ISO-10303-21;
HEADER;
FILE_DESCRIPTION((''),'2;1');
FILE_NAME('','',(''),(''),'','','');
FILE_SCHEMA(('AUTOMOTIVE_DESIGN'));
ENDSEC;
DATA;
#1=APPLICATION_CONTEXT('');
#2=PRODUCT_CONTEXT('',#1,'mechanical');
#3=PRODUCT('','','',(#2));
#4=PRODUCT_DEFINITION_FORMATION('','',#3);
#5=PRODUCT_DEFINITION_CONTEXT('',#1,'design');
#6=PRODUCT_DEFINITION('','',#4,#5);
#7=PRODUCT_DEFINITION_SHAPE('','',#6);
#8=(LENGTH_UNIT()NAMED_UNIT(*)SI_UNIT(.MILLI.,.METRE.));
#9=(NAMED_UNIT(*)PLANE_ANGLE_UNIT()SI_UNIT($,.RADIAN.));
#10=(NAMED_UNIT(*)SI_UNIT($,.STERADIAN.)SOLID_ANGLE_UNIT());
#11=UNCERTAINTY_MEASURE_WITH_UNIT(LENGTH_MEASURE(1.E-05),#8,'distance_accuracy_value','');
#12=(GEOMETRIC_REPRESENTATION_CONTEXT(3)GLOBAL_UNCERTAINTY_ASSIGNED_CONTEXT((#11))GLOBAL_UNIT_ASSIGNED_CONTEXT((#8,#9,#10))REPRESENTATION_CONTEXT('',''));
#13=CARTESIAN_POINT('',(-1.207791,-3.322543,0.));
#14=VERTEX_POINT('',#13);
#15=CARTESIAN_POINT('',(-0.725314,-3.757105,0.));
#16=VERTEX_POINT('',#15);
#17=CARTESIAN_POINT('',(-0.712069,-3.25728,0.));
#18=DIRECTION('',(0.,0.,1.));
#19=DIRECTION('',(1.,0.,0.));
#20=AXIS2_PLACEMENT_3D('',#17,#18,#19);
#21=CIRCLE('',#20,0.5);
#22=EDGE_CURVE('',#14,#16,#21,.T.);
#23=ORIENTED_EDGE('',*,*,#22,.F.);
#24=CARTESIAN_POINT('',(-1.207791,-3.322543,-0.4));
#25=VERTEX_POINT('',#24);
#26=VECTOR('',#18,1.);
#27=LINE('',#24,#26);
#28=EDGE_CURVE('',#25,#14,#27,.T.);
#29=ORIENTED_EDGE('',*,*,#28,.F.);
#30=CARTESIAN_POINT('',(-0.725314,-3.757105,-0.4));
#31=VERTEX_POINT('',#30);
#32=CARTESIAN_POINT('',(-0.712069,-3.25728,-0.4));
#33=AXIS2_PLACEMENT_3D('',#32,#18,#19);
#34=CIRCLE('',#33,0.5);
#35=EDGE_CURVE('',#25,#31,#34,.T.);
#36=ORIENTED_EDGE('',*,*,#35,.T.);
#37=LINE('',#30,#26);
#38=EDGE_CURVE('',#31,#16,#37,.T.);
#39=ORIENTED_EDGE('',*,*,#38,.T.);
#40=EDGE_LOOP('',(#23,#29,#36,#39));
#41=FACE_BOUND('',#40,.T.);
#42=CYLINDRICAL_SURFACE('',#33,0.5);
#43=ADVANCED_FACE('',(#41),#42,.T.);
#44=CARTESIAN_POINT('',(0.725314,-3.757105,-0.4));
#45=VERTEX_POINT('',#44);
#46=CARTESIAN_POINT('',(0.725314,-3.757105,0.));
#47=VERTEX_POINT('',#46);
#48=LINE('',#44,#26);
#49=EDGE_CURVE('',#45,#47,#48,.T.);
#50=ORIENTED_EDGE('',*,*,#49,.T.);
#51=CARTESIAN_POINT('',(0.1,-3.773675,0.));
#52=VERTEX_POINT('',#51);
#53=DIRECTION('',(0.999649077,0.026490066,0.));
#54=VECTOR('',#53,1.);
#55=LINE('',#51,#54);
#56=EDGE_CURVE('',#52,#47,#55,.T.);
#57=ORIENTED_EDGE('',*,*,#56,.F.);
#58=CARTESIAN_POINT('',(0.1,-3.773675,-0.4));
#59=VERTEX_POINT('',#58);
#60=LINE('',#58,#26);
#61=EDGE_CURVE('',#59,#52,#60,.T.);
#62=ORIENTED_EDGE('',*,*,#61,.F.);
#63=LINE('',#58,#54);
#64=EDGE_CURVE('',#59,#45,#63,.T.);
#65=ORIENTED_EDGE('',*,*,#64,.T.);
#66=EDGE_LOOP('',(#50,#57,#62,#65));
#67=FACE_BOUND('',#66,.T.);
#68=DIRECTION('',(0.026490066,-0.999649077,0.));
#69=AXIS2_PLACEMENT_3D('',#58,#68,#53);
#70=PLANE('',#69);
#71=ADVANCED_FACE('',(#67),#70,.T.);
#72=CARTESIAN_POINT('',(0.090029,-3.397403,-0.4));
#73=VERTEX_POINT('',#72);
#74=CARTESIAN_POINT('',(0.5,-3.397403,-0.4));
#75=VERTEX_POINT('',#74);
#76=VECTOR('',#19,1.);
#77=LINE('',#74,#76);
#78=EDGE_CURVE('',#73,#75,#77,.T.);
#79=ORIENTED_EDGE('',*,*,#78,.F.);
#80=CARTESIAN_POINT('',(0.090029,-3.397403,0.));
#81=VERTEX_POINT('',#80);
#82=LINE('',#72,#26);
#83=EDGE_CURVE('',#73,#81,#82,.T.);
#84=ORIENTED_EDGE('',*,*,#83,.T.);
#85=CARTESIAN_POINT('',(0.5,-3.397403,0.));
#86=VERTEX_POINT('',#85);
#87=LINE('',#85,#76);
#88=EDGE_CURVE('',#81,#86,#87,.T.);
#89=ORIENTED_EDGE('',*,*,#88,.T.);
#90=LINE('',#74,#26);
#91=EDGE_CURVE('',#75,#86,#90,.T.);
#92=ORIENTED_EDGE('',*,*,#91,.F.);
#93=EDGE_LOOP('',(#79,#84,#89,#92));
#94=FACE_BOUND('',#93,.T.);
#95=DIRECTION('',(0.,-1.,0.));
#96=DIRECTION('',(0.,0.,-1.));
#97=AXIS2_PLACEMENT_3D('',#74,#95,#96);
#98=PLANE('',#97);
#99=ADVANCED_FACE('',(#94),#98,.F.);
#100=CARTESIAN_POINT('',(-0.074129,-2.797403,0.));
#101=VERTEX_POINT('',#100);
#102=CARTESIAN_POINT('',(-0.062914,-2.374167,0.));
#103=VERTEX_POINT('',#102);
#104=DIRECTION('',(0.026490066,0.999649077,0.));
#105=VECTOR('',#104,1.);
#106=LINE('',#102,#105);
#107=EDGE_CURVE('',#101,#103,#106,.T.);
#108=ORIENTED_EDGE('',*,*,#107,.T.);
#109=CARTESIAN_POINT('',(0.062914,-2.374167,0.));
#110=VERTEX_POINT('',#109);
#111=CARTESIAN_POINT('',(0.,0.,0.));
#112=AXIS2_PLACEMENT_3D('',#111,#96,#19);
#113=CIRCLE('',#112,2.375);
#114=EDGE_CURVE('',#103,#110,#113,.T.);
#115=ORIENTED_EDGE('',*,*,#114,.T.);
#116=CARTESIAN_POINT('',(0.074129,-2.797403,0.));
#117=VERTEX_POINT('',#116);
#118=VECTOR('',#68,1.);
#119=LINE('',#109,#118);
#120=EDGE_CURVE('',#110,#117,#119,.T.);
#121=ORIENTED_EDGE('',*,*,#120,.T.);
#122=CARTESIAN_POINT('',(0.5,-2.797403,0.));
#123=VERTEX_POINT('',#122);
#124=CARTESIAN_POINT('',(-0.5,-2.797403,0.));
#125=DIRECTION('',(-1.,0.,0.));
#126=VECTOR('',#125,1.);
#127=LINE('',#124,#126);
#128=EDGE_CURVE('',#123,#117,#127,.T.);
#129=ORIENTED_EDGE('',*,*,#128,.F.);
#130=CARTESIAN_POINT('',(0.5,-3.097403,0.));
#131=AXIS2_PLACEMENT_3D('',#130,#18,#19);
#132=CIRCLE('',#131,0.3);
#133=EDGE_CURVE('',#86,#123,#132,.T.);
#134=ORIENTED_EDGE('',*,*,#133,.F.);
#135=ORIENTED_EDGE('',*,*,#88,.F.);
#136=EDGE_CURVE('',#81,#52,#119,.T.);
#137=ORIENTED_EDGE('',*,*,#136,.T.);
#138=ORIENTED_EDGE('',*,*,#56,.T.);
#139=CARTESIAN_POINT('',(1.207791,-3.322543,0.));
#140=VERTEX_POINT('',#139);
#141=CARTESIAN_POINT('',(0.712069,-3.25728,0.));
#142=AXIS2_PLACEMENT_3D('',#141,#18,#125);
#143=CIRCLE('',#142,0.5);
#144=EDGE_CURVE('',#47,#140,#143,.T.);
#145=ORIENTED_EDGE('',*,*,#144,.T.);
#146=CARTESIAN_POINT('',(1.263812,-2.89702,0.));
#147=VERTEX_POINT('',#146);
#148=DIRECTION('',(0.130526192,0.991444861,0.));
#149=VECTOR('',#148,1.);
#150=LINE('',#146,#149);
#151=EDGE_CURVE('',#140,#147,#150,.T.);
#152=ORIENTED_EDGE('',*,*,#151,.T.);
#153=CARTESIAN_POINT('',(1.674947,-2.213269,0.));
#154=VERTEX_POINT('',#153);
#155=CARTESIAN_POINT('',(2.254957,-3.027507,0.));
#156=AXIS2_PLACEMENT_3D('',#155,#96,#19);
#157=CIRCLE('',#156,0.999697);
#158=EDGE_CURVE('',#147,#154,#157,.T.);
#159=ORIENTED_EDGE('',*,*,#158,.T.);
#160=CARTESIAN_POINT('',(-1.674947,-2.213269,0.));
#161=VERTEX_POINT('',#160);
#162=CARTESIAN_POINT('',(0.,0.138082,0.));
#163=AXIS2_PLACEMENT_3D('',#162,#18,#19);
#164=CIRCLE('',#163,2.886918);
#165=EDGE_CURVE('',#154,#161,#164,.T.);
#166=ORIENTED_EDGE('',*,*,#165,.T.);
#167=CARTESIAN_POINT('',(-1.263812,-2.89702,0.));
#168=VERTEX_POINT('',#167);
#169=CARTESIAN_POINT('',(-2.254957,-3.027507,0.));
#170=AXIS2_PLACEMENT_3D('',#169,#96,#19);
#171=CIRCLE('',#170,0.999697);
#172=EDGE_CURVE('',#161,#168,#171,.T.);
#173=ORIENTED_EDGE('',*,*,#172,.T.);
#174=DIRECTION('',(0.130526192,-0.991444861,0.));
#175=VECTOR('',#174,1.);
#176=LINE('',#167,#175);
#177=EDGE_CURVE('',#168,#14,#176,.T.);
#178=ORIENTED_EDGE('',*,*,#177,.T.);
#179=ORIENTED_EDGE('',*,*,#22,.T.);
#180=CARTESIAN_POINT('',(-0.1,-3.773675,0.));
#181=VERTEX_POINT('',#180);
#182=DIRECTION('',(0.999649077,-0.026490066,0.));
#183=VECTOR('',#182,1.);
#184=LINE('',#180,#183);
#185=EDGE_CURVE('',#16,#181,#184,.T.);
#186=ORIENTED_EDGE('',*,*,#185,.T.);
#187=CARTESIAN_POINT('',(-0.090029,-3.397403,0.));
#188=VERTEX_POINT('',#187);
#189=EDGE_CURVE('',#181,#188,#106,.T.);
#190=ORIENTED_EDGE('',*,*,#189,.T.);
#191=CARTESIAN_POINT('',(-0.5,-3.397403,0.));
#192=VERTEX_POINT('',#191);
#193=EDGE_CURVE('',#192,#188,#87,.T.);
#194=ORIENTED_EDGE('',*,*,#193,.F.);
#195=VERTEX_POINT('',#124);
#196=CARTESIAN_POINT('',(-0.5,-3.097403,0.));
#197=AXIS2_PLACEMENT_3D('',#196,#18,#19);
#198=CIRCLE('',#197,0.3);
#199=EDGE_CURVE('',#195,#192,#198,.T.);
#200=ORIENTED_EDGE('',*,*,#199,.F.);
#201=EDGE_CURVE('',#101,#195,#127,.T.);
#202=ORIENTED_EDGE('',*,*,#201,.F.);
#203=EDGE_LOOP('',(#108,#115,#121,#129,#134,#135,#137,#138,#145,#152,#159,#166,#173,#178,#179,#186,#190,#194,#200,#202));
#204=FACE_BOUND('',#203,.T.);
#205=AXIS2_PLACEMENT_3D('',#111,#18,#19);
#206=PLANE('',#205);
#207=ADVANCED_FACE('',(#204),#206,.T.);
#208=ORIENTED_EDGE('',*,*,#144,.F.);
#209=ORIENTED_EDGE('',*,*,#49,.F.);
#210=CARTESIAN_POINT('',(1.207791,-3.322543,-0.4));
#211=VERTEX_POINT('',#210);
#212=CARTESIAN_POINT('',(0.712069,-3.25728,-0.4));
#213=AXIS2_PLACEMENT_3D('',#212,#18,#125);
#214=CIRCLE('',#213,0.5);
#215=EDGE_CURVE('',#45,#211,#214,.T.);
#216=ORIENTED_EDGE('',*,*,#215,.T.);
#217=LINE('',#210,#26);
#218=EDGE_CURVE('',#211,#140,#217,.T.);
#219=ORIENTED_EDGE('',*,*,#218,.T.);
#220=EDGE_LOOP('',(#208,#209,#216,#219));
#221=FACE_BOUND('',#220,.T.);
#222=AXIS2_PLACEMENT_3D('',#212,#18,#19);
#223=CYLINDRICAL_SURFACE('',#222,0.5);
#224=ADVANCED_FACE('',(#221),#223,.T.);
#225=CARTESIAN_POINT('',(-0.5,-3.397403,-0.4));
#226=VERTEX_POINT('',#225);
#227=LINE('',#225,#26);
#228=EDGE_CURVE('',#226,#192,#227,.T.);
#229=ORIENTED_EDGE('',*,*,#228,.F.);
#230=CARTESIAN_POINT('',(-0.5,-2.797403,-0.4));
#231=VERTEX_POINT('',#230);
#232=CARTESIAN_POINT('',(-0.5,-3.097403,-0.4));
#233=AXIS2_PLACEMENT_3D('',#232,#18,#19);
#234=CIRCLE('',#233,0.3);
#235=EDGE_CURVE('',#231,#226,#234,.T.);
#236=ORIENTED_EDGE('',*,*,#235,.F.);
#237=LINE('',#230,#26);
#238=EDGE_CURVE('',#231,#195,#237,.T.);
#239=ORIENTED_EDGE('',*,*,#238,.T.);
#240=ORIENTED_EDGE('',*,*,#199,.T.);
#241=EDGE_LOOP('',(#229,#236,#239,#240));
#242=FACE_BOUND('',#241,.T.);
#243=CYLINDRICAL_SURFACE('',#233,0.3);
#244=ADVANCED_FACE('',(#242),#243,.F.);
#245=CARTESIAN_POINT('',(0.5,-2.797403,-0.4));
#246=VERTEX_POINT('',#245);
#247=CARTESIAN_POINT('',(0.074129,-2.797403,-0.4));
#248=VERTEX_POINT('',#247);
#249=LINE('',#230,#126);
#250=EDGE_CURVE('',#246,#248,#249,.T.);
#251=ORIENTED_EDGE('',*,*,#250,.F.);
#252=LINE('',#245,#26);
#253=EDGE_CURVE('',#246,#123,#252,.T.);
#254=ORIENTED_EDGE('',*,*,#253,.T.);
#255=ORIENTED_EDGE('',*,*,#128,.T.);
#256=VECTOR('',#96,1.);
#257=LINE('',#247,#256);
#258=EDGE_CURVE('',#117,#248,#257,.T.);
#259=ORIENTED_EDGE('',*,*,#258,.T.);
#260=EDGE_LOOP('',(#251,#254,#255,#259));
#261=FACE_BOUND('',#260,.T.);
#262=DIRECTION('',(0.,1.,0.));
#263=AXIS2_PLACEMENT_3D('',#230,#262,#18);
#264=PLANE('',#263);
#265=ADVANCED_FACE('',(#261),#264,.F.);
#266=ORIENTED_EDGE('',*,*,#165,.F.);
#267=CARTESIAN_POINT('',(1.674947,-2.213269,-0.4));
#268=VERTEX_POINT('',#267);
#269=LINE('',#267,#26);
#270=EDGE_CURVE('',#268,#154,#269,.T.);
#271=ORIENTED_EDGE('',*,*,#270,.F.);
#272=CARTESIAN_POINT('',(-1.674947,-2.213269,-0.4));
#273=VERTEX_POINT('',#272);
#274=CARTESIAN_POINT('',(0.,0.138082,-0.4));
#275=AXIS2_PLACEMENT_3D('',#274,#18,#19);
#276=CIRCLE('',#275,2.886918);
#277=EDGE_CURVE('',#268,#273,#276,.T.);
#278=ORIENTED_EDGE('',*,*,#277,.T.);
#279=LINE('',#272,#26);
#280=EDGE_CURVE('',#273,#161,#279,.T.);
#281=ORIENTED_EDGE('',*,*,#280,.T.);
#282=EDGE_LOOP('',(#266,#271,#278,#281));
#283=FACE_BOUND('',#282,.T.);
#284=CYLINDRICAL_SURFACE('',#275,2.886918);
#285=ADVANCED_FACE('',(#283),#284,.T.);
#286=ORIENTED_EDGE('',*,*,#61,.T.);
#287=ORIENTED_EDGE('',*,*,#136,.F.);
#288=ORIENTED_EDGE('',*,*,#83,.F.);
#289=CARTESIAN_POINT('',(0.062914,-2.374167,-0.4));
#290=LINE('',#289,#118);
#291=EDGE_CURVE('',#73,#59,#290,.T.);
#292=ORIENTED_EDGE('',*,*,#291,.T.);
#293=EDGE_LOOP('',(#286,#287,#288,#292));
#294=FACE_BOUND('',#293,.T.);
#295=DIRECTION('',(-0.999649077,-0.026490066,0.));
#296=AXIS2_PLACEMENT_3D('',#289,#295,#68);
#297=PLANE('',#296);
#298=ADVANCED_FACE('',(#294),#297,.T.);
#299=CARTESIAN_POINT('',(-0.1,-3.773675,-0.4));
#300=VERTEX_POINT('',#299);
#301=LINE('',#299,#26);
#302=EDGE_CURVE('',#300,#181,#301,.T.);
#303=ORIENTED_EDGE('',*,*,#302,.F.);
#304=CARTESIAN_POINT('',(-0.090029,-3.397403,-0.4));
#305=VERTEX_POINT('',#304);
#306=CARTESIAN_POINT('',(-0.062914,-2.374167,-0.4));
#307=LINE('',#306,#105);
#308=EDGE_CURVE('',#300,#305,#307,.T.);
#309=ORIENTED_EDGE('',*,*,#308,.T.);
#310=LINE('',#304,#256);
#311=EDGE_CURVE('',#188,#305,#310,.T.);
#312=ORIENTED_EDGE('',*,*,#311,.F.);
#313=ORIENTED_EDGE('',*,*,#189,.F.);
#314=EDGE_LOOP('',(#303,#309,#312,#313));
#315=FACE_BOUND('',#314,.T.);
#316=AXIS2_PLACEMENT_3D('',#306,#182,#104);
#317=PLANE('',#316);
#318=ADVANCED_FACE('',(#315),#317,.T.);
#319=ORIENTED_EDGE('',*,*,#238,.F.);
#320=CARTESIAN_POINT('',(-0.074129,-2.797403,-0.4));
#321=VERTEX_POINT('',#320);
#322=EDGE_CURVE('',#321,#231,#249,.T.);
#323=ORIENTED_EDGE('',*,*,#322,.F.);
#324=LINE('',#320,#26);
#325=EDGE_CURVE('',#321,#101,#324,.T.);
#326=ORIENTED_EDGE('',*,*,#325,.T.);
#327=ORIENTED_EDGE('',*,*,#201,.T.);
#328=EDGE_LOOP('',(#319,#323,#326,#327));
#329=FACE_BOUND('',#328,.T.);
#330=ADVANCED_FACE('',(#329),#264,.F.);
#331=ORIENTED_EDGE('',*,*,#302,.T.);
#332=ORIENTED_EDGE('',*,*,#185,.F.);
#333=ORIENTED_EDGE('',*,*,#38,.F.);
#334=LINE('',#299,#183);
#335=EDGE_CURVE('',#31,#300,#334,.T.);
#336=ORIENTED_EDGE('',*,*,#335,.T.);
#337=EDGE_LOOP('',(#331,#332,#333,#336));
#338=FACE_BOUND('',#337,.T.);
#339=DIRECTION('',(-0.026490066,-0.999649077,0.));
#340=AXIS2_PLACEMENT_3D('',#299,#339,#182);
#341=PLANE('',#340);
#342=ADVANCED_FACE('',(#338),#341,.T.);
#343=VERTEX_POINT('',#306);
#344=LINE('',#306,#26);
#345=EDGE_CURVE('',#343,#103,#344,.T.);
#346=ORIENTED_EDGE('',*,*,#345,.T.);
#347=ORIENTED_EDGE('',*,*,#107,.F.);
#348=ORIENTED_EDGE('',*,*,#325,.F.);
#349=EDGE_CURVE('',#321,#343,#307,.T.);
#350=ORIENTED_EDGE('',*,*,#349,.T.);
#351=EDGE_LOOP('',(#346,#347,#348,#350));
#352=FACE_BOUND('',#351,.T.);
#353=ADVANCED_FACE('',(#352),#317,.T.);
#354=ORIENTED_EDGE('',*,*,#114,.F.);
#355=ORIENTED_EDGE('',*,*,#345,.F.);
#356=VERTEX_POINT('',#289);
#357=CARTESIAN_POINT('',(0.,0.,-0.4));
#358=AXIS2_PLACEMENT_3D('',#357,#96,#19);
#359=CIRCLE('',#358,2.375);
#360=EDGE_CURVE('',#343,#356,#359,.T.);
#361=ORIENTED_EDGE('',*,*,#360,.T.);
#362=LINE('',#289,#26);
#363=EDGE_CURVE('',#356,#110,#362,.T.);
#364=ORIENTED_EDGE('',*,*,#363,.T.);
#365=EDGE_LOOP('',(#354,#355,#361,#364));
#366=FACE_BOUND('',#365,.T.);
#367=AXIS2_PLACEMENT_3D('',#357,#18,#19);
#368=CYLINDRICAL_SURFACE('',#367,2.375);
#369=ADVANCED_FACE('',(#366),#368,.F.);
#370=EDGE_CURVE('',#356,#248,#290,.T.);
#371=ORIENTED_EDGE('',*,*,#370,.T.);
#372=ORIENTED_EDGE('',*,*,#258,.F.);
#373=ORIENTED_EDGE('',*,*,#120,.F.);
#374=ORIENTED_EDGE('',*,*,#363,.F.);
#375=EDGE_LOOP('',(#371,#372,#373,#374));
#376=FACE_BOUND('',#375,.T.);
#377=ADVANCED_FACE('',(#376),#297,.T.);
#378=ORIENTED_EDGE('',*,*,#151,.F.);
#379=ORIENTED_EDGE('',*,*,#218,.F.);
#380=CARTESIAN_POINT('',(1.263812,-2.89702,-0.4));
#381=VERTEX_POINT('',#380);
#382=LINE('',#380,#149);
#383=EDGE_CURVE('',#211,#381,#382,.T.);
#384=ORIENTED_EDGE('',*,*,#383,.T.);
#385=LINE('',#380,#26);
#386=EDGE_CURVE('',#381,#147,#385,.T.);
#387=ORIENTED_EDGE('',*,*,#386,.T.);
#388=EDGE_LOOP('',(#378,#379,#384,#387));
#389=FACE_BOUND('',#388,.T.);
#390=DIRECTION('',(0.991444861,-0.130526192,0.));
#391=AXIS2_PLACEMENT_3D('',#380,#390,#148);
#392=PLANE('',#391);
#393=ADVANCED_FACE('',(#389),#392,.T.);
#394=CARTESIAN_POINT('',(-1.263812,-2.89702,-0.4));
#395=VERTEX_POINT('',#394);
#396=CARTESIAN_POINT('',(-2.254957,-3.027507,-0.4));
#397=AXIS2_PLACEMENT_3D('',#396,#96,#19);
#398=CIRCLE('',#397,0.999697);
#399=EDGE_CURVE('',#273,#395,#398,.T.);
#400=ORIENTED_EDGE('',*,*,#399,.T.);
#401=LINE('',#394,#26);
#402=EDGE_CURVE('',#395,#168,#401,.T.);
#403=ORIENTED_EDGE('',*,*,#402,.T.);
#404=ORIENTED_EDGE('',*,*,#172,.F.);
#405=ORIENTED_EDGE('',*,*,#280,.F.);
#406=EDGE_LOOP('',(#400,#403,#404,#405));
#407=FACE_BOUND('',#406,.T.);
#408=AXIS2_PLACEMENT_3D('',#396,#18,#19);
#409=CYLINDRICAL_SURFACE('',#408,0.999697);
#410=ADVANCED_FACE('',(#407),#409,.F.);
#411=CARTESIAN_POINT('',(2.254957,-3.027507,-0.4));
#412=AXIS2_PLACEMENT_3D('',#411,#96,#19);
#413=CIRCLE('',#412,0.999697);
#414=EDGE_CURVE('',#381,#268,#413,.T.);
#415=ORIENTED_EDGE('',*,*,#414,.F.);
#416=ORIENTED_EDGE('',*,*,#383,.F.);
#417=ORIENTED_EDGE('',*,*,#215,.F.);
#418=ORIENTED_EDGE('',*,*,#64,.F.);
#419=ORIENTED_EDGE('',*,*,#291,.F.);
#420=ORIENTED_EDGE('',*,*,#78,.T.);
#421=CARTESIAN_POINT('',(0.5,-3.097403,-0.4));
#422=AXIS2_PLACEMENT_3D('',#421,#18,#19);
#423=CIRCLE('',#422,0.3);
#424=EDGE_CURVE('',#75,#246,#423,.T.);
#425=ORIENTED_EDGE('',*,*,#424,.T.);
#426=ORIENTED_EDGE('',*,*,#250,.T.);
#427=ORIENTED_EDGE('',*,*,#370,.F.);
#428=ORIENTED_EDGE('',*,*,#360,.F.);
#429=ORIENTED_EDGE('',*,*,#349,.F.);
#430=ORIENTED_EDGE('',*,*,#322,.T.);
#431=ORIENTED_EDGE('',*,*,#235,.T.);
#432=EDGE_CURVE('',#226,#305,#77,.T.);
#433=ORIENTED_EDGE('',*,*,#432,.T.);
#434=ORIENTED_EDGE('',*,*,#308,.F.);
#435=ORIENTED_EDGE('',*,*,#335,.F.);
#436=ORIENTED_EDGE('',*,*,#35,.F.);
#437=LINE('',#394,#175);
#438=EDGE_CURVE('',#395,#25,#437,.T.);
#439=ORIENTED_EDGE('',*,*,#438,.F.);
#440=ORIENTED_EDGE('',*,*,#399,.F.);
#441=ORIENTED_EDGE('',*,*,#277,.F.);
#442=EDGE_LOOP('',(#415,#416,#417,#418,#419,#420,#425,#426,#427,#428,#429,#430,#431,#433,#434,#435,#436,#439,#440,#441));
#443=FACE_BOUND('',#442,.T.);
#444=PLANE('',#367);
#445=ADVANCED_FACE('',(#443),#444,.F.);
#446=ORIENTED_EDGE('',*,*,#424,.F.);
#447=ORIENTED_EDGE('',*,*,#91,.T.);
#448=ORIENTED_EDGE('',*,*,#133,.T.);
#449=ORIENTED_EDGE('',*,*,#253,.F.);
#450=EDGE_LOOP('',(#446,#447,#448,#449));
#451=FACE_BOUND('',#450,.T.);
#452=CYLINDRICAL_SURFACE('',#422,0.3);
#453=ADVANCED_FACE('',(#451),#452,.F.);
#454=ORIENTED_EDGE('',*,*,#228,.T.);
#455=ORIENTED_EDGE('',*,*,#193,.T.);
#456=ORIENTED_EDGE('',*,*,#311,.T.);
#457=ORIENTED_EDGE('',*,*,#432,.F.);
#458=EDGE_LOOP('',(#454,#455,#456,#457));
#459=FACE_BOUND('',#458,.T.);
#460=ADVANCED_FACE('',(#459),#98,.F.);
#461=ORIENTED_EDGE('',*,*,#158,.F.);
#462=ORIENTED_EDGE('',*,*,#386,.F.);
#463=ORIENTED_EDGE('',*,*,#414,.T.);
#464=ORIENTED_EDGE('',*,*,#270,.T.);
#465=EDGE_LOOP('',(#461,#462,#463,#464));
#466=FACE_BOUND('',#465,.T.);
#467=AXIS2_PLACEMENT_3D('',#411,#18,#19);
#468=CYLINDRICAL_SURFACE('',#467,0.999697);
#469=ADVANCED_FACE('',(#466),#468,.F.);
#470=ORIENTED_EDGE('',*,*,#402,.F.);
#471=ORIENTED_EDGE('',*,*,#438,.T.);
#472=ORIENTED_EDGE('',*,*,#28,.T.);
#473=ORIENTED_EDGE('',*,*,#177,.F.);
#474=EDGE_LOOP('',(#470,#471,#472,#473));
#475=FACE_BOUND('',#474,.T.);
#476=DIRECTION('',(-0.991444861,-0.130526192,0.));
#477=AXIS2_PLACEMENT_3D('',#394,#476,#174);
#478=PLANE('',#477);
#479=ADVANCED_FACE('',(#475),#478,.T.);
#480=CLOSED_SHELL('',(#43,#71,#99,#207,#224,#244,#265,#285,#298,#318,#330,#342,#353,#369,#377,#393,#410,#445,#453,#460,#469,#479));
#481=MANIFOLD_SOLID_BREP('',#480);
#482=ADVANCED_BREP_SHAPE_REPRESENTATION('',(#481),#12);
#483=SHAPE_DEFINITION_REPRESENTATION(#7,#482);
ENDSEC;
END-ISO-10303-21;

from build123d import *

# Parameters (mm, degrees)
BODYSKE_R   = 0.3
BODY_DEPTH  = 0.4
NOTSKE_W    = 1
NOTSKE_H    = 0.6
NOTCH_DEPTH = 1.4


with BuildPart() as part:
    # BodySke → Body (new body)
    with BuildSketch(Plane.XY):
        with BuildLine():
            Line((0.062913907, -2.374166557), (0.1, -3.773675264))
            Line((0.1, -3.773675264), (0.725313694, -3.757104848))
            ThreePointArc((0.725313694, -3.757104848), (1.046692153, -3.628800321), (1.207791092, -3.322543406))
            Line((1.207791092, -3.322543406), (1.26381232, -2.897019935))
            ThreePointArc((1.26381232, -2.897019935), (1.3982129, -2.512352239), (1.674947292, -2.213268924))
            ThreePointArc((1.674947292, -2.213268924), (0, 3.025), (-1.674947292, -2.213268924))
            ThreePointArc((-1.674947292, -2.213268924), (-1.3982129, -2.512352239), (-1.26381232, -2.897019935))
            Line((-1.26381232, -2.897019935), (-1.207791092, -3.322543406))
            ThreePointArc((-1.207791092, -3.322543406), (-1.046692153, -3.628800321), (-0.725313694, -3.757104848))
            Line((-0.725313694, -3.757104848), (-0.1, -3.773675264))
            Line((-0.1, -3.773675264), (-0.062913907, -2.374166557))
            ThreePointArc((-0.062913907, -2.374166557), (0, 2.375), (0.062913907, -2.374166557))
        make_face()
        with Locations((0.5, -3.097403146)):
            Circle(BODYSKE_R, mode=Mode.SUBTRACT)
        with Locations((-0.5, -3.097403146)):
            Circle(BODYSKE_R, mode=Mode.SUBTRACT)
    extrude(amount=-BODY_DEPTH)

    # NotSke → Notch (cut, through all)
    with BuildSketch(Plane.XY):
        with Locations((0, -3.097403146)):
            Rectangle(NOTSKE_W, NOTSKE_H)
    extrude(amount=-NOTCH_DEPTH, mode=Mode.SUBTRACT)


solid = part.part
